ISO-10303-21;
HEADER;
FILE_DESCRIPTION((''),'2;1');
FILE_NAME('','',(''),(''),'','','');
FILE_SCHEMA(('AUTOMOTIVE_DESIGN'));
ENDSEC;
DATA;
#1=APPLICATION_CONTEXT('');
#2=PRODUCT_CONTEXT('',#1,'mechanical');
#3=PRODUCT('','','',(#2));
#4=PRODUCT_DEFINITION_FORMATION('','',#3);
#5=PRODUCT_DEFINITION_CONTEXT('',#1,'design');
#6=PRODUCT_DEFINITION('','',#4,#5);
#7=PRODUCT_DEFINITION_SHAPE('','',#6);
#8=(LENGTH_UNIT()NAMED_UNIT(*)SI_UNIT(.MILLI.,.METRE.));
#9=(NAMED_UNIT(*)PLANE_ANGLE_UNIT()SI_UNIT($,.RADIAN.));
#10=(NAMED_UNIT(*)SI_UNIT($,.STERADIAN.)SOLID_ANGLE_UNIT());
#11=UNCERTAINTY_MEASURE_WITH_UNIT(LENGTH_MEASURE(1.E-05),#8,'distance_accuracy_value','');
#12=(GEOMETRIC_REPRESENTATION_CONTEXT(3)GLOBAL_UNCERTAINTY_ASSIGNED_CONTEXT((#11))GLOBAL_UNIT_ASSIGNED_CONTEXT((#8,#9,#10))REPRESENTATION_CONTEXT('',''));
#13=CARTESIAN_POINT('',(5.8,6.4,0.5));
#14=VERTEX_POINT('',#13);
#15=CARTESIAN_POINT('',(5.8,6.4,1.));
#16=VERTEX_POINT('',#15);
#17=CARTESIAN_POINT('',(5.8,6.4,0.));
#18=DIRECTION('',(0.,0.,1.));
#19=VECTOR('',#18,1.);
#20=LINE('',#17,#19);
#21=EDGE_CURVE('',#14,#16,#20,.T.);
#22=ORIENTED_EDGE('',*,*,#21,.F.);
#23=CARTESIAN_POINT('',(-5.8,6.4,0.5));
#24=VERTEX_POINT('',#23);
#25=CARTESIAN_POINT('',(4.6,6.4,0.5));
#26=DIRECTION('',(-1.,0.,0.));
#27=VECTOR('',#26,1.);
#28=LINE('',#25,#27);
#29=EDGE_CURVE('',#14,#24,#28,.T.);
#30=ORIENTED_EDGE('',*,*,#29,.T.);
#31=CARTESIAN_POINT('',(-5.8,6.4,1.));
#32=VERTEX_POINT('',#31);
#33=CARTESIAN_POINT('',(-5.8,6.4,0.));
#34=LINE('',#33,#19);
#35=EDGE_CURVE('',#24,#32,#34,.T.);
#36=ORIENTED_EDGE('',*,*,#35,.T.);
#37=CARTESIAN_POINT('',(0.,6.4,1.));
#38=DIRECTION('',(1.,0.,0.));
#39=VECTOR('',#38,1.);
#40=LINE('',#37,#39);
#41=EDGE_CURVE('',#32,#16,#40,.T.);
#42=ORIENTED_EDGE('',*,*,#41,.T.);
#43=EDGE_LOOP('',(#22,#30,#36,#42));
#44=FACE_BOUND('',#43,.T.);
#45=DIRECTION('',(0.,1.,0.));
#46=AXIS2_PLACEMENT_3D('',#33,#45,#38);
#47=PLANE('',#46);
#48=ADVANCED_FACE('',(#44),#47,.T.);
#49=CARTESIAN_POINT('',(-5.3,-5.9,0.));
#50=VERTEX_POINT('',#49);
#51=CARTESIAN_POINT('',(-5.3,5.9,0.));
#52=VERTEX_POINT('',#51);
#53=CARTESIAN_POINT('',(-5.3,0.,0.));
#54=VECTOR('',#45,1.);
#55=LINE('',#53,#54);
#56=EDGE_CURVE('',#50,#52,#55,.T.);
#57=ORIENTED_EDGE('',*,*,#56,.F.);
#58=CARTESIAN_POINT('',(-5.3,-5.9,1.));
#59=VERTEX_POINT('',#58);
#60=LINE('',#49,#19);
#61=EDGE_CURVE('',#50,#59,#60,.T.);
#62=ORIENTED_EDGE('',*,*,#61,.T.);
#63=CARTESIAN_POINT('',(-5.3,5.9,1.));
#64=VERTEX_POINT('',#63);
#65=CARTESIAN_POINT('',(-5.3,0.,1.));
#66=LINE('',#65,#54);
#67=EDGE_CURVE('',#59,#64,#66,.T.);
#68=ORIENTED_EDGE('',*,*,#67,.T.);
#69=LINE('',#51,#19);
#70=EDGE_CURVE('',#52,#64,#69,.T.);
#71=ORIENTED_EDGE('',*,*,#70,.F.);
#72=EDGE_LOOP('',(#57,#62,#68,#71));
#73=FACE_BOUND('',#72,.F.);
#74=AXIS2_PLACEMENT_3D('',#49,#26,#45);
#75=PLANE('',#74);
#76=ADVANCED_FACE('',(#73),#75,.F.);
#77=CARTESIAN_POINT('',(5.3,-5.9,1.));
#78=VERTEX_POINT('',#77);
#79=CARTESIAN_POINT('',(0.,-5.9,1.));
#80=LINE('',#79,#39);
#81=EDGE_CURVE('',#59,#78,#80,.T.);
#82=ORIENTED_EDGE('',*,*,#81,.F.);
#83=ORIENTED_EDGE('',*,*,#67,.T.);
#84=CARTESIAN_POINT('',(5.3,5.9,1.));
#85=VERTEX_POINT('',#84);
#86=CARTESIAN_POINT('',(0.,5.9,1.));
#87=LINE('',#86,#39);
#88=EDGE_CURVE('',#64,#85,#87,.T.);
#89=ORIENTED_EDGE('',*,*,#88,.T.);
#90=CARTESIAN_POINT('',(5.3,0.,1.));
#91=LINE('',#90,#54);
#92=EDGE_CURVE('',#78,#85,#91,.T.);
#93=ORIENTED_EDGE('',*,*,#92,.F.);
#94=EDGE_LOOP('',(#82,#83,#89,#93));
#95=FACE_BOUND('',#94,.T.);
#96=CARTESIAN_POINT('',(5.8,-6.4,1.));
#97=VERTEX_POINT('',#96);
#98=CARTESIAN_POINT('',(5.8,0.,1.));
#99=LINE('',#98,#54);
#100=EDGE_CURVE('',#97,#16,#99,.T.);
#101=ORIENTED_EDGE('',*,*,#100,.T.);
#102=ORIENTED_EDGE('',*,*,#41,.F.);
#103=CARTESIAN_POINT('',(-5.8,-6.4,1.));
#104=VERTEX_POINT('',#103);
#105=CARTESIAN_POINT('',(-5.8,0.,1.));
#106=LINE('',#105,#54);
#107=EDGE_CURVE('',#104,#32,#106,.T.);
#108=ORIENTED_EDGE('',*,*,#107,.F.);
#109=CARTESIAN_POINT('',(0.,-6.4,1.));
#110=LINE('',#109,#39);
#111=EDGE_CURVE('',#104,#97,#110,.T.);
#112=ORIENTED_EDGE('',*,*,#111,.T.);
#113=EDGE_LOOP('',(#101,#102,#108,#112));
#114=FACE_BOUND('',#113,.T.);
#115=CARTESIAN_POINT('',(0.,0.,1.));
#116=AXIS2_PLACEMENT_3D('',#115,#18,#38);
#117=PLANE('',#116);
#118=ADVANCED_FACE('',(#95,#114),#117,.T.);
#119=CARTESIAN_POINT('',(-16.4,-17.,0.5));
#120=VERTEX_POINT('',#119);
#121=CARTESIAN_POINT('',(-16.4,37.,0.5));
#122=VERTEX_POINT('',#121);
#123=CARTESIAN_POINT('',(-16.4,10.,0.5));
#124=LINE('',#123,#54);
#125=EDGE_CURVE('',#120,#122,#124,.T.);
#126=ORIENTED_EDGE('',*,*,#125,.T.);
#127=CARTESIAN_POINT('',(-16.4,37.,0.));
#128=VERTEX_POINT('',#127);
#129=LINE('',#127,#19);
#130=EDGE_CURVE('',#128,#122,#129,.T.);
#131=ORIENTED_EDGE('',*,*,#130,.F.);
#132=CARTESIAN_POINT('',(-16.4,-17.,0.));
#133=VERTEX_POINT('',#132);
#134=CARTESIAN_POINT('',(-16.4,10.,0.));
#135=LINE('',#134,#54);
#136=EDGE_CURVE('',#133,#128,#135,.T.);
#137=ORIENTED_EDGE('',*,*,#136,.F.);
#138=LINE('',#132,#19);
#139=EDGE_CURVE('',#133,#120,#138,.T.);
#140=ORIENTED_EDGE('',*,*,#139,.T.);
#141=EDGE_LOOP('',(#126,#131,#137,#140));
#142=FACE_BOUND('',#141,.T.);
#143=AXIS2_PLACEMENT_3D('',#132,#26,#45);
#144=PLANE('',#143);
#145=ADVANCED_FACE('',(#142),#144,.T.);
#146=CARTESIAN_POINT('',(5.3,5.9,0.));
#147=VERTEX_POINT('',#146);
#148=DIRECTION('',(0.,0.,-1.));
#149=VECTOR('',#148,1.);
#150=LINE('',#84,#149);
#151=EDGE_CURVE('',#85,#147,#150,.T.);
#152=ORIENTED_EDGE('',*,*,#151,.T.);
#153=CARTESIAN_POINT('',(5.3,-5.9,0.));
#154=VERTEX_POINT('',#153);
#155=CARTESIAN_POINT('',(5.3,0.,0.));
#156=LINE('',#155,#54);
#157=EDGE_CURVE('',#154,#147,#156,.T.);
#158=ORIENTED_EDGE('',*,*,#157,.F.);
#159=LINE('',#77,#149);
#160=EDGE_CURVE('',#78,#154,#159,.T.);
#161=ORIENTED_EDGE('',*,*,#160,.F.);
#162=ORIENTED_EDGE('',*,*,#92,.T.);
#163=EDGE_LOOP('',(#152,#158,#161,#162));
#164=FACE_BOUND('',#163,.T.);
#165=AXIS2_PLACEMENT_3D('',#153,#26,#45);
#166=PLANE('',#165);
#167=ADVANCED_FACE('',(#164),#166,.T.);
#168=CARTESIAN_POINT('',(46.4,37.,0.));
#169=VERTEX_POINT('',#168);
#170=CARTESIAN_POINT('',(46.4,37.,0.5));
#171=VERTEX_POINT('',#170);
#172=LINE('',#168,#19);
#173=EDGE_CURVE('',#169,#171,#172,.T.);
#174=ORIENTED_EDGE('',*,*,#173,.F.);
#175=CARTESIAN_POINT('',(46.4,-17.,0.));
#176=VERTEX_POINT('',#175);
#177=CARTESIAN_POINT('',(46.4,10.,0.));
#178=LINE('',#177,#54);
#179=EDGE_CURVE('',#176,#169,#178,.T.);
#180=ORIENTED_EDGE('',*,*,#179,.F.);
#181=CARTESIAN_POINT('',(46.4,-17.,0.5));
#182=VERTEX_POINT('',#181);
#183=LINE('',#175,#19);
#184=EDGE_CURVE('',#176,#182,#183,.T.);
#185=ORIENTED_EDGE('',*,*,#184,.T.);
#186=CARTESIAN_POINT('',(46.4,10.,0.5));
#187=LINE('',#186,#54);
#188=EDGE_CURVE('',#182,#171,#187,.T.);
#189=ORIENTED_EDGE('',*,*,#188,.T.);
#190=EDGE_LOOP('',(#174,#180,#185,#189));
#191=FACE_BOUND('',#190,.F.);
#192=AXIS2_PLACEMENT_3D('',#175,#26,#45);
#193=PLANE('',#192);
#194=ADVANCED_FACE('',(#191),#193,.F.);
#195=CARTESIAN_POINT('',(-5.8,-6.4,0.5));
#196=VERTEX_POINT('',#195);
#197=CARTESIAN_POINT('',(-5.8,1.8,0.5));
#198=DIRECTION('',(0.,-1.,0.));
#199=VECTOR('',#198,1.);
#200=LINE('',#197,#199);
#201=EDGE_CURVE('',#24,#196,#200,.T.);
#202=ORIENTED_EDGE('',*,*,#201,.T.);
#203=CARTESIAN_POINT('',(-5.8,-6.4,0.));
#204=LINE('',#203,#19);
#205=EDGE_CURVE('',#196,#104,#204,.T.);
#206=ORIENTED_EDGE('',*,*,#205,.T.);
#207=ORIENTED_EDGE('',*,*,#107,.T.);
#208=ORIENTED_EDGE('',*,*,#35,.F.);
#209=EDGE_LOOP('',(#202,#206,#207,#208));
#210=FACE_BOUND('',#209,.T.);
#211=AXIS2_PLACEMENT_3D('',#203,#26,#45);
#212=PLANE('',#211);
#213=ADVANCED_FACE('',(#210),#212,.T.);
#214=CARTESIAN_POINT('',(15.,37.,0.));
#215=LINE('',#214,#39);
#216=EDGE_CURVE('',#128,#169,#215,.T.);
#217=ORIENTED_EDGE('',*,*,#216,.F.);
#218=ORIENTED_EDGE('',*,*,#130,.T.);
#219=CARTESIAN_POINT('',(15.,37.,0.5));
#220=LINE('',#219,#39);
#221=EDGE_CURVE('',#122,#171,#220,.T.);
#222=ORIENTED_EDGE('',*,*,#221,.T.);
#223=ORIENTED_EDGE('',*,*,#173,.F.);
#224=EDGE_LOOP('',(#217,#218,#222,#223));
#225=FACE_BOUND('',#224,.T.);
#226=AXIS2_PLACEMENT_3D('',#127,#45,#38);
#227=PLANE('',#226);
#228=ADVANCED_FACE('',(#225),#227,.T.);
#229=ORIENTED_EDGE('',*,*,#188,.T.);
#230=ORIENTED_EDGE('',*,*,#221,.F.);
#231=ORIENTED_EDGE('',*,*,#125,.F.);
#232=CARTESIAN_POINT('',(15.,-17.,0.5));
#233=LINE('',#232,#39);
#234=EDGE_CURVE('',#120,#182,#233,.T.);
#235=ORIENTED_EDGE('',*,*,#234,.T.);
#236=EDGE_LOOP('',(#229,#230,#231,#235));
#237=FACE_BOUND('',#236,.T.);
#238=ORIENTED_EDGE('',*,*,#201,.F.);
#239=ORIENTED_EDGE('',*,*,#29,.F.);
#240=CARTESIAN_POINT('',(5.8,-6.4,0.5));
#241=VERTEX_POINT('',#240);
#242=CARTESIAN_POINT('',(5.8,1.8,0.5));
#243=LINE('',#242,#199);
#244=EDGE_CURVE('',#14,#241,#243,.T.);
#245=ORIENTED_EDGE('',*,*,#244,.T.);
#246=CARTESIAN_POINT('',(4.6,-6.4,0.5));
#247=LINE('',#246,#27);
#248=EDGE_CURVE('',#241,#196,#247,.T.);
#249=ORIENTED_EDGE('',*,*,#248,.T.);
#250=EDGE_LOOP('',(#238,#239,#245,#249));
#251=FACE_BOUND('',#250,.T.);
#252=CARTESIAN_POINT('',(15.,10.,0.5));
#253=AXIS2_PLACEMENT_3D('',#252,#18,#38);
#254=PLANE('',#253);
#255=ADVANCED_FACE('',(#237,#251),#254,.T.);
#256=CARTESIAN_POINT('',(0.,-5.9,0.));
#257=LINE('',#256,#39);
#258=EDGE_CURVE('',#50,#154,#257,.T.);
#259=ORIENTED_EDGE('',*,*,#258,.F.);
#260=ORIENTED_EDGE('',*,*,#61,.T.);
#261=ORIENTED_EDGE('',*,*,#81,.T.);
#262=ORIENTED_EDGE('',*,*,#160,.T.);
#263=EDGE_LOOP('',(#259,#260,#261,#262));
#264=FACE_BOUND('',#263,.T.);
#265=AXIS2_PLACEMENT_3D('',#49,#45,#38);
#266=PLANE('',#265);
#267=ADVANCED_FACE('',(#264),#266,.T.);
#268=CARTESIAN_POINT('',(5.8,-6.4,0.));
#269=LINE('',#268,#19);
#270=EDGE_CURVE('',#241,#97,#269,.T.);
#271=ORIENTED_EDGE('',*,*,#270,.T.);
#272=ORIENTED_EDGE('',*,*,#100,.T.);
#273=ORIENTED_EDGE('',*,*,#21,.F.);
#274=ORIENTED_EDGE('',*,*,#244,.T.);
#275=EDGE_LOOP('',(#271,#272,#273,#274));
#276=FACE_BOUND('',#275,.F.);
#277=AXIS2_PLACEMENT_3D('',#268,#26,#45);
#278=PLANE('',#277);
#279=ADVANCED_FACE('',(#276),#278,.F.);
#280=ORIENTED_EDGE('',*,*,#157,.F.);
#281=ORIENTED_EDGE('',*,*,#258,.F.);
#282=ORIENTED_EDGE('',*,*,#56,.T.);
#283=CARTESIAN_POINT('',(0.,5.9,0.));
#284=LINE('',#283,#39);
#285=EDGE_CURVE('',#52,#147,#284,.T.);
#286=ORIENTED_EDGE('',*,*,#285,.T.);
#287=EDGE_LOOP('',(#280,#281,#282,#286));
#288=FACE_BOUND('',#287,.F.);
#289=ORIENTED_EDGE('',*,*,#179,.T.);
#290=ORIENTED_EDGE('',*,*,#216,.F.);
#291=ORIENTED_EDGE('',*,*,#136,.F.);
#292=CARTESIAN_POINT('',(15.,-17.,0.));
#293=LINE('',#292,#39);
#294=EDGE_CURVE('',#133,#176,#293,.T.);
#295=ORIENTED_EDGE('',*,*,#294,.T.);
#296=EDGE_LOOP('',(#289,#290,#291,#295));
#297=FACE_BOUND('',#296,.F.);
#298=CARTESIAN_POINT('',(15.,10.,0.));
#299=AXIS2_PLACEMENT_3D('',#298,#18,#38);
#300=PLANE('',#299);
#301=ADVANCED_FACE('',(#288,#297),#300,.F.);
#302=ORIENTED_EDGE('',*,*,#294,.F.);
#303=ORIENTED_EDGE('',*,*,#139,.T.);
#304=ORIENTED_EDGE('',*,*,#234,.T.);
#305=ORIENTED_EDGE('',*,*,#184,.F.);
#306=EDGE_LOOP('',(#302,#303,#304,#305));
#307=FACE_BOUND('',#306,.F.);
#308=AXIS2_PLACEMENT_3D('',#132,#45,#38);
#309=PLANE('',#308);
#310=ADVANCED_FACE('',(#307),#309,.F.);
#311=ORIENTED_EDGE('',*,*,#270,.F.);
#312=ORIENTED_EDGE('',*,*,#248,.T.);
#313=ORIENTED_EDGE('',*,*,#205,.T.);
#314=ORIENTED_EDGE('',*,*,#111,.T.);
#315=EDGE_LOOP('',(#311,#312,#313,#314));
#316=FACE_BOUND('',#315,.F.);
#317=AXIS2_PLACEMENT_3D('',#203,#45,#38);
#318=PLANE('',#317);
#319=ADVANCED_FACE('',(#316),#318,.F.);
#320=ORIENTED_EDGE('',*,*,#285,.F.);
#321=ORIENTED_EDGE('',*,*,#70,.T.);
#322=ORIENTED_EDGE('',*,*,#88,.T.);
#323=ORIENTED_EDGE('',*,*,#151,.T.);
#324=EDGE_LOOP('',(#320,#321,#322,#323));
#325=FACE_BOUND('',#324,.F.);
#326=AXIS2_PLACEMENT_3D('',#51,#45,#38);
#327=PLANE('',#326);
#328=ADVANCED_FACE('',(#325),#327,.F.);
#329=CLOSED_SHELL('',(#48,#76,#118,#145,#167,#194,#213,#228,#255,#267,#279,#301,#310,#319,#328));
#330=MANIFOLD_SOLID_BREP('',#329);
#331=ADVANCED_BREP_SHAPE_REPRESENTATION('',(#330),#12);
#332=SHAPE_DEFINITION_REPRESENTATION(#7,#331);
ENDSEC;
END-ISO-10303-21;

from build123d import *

# Parameters (mm, degrees)
F0_W     = 62.8
F0_H     = 54
F0_W_2   = 12.8
F0_H_2   = 14
F0_W_3   = 11.6
F0_H_3   = 12.8
F0_W_4   = 10.6
F0_H_4   = 11.8
F1_DEPTH = 0.5
F2_DEPTH = 1


with BuildPart() as f1:
    # F0 (on Top) → F1 (new body)
    with BuildSketch(Plane.XY):
        with Locations((15, 10)):
            Rectangle(F0_W, F0_H)
        Rectangle(F0_W_2, F0_H_2, mode=Mode.SUBTRACT)
        Rectangle(F0_W_2, F0_H_2)
        Rectangle(F0_W_3, F0_H_3, mode=Mode.SUBTRACT)
        Rectangle(F0_W_3, F0_H_3)
        Rectangle(F0_W_4, F0_H_4, mode=Mode.SUBTRACT)
    extrude(amount=F1_DEPTH)

    # F0 (on Top) → F2 (join)
    with BuildSketch(Plane.XY):
        Rectangle(F0_W_3, F0_H_3)
        Rectangle(F0_W_4, F0_H_4, mode=Mode.SUBTRACT)
    extrude(amount=F2_DEPTH)


solid = f1.part
